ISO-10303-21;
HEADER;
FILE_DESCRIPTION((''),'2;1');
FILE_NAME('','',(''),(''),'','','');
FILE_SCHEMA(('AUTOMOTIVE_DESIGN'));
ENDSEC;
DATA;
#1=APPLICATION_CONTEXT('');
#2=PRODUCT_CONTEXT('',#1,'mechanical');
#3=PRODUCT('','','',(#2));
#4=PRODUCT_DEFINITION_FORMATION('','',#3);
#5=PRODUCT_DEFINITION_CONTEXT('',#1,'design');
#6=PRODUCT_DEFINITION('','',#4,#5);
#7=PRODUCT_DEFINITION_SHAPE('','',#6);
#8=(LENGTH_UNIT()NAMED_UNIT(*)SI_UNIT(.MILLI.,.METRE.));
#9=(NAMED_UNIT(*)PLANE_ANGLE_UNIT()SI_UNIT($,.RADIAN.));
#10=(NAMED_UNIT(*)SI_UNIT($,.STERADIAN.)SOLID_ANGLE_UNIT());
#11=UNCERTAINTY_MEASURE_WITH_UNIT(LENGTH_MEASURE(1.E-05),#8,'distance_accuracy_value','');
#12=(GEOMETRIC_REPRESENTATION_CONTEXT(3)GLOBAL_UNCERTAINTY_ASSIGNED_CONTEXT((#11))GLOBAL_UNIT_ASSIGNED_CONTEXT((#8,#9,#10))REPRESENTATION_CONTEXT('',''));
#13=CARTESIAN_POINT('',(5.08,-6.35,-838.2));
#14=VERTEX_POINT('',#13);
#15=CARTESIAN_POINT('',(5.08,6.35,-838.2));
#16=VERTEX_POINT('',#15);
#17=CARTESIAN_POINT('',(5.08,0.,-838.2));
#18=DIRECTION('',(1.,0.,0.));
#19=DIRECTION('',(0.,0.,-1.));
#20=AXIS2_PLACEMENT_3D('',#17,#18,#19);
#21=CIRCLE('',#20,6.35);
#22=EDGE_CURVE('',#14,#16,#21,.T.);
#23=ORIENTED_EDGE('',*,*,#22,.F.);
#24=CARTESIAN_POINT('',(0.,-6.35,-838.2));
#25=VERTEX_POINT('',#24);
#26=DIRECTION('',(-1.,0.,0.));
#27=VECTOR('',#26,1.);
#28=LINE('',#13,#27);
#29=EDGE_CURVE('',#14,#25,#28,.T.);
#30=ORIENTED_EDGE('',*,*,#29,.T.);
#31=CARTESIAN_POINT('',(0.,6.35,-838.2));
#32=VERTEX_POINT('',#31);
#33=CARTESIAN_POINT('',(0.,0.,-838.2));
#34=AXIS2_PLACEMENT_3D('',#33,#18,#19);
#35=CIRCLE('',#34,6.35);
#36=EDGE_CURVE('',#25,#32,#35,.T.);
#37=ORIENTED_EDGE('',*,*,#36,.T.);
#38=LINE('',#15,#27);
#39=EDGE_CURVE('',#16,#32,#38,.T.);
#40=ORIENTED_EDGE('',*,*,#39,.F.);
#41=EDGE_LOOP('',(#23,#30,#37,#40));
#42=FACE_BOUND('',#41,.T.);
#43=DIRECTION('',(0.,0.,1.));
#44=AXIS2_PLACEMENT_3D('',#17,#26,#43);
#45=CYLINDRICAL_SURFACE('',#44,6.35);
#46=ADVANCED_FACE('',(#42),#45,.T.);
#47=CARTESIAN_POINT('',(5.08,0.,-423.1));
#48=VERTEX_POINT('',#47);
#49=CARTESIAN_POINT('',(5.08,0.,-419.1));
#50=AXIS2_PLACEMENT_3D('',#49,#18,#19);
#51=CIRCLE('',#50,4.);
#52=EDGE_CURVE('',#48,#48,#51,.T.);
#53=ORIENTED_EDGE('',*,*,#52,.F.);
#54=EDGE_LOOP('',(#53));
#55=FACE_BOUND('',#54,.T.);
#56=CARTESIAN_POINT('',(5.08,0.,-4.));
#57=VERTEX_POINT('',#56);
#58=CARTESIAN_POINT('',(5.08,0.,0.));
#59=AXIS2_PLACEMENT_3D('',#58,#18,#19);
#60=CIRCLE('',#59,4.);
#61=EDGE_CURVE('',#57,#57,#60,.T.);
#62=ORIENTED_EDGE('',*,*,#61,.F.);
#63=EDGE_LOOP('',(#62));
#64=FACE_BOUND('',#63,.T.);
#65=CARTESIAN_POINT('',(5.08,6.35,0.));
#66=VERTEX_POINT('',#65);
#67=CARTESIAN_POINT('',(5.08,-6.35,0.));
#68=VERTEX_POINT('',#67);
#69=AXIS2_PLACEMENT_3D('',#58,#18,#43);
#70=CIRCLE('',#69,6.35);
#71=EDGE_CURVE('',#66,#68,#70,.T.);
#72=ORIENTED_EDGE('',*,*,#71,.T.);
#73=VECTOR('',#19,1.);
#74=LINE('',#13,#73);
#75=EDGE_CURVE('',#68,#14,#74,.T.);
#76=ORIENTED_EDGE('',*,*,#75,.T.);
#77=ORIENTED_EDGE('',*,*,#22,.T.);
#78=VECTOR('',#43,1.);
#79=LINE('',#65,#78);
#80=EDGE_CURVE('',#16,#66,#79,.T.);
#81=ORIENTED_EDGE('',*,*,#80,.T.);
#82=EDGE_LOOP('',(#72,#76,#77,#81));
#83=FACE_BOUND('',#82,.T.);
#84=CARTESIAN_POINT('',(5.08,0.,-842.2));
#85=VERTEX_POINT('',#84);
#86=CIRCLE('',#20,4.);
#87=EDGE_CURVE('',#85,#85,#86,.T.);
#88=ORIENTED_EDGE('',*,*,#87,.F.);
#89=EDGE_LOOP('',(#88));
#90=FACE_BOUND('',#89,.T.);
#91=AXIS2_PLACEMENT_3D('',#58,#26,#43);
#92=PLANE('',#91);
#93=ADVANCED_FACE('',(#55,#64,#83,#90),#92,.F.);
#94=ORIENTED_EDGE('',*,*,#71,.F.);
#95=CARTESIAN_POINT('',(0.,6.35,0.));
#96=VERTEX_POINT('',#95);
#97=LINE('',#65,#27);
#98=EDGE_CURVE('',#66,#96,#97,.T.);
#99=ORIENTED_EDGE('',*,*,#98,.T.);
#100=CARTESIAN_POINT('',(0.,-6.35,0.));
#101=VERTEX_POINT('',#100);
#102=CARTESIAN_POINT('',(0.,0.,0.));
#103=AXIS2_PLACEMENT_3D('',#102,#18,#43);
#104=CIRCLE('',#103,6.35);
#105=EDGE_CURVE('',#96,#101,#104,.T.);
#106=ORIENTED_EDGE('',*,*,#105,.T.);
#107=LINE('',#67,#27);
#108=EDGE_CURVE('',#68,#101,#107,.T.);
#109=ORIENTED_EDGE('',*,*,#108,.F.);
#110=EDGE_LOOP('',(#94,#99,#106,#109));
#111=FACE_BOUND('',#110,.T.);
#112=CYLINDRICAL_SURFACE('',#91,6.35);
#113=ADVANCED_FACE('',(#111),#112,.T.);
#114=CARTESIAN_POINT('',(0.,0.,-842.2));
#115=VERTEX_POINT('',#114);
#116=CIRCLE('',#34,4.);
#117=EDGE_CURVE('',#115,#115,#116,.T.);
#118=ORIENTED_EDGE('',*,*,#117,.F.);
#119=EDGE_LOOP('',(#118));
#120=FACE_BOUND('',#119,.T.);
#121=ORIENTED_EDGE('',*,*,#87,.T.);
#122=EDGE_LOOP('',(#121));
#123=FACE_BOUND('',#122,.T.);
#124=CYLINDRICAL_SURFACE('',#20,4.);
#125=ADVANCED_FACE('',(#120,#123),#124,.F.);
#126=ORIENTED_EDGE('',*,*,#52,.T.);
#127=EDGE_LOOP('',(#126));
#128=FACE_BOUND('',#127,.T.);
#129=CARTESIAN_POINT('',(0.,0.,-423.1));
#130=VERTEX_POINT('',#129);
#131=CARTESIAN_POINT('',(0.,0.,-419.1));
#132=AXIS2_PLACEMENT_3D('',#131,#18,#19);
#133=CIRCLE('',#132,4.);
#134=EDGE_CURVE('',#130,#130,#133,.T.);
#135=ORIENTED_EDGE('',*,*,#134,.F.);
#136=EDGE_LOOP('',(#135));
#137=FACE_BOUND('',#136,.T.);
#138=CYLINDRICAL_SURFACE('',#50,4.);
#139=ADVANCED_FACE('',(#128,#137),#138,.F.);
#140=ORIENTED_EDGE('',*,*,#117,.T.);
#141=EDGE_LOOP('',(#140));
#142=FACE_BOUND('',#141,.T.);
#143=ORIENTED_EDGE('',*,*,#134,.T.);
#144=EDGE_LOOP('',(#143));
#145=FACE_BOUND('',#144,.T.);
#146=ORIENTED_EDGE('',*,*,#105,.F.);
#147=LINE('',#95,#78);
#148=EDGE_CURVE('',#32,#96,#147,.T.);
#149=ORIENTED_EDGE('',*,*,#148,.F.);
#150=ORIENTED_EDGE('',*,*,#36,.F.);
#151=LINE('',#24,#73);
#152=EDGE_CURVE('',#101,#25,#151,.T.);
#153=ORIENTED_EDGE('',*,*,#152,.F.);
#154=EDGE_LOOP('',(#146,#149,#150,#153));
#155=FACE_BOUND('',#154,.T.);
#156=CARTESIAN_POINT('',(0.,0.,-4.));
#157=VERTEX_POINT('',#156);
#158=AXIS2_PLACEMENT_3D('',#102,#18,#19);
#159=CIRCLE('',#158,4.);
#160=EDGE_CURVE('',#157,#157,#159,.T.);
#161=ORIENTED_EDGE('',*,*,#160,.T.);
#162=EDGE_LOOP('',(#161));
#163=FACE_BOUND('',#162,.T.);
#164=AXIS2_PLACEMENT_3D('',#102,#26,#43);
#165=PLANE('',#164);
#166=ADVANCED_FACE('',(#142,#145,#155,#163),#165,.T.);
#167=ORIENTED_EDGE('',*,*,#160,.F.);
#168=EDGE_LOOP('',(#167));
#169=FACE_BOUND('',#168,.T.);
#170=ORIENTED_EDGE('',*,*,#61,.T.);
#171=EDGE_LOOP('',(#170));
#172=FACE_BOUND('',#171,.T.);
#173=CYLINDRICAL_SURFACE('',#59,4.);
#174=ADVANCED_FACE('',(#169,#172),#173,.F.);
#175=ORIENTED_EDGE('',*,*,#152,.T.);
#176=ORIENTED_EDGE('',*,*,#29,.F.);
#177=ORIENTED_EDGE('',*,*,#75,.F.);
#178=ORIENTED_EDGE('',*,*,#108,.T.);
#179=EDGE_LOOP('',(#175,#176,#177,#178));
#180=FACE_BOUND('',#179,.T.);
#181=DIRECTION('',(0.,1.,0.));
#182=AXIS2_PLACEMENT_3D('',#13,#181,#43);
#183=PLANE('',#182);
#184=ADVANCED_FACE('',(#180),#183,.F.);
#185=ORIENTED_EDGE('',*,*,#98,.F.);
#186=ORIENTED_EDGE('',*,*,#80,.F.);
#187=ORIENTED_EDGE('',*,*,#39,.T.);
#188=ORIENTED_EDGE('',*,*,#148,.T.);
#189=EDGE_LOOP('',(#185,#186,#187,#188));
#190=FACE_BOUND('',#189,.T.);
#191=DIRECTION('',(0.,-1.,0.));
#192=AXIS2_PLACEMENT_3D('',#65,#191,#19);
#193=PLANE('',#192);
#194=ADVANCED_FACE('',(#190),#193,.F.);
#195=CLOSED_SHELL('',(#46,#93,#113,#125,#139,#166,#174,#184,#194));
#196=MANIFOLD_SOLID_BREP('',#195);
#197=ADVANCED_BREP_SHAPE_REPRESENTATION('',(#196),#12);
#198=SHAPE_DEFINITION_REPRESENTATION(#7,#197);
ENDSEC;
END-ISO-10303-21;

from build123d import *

# Parameters (mm, degrees)
BOSS_EXTRUDE1_DEPTH   = 5.08
F_8_0MM_DOWEL_HOLE1_D = 8


with BuildPart() as part:
    # Sketch1 → Boss-Extrude1 (new body)
    with BuildSketch(Plane(origin=(0, 0, 0), x_dir=(0, 0, -1), z_dir=(1, 0, 0))):
        with BuildLine():
            Line((0, 6.35), (838.2, 6.35))
            ThreePointArc((838.2, 6.35), (844.55, 0), (838.2, -6.35))
            Line((838.2, -6.35), (0, -6.35))
            ThreePointArc((0, -6.35), (-6.35, 0), (0, 6.35))
        make_face()
    extrude(amount=BOSS_EXTRUDE1_DEPTH)

    # Ø8.0mm Dowel Hole1 (through all)
    with Locations(Plane(origin=(5.08, 0, 0), x_dir=(0, 0, -1), z_dir=(1, 0, 0))):
        with Locations((0, 0), (838.2, 0), (419.1, 0)):
            Hole(F_8_0MM_DOWEL_HOLE1_D / 2)


solid = part.part
